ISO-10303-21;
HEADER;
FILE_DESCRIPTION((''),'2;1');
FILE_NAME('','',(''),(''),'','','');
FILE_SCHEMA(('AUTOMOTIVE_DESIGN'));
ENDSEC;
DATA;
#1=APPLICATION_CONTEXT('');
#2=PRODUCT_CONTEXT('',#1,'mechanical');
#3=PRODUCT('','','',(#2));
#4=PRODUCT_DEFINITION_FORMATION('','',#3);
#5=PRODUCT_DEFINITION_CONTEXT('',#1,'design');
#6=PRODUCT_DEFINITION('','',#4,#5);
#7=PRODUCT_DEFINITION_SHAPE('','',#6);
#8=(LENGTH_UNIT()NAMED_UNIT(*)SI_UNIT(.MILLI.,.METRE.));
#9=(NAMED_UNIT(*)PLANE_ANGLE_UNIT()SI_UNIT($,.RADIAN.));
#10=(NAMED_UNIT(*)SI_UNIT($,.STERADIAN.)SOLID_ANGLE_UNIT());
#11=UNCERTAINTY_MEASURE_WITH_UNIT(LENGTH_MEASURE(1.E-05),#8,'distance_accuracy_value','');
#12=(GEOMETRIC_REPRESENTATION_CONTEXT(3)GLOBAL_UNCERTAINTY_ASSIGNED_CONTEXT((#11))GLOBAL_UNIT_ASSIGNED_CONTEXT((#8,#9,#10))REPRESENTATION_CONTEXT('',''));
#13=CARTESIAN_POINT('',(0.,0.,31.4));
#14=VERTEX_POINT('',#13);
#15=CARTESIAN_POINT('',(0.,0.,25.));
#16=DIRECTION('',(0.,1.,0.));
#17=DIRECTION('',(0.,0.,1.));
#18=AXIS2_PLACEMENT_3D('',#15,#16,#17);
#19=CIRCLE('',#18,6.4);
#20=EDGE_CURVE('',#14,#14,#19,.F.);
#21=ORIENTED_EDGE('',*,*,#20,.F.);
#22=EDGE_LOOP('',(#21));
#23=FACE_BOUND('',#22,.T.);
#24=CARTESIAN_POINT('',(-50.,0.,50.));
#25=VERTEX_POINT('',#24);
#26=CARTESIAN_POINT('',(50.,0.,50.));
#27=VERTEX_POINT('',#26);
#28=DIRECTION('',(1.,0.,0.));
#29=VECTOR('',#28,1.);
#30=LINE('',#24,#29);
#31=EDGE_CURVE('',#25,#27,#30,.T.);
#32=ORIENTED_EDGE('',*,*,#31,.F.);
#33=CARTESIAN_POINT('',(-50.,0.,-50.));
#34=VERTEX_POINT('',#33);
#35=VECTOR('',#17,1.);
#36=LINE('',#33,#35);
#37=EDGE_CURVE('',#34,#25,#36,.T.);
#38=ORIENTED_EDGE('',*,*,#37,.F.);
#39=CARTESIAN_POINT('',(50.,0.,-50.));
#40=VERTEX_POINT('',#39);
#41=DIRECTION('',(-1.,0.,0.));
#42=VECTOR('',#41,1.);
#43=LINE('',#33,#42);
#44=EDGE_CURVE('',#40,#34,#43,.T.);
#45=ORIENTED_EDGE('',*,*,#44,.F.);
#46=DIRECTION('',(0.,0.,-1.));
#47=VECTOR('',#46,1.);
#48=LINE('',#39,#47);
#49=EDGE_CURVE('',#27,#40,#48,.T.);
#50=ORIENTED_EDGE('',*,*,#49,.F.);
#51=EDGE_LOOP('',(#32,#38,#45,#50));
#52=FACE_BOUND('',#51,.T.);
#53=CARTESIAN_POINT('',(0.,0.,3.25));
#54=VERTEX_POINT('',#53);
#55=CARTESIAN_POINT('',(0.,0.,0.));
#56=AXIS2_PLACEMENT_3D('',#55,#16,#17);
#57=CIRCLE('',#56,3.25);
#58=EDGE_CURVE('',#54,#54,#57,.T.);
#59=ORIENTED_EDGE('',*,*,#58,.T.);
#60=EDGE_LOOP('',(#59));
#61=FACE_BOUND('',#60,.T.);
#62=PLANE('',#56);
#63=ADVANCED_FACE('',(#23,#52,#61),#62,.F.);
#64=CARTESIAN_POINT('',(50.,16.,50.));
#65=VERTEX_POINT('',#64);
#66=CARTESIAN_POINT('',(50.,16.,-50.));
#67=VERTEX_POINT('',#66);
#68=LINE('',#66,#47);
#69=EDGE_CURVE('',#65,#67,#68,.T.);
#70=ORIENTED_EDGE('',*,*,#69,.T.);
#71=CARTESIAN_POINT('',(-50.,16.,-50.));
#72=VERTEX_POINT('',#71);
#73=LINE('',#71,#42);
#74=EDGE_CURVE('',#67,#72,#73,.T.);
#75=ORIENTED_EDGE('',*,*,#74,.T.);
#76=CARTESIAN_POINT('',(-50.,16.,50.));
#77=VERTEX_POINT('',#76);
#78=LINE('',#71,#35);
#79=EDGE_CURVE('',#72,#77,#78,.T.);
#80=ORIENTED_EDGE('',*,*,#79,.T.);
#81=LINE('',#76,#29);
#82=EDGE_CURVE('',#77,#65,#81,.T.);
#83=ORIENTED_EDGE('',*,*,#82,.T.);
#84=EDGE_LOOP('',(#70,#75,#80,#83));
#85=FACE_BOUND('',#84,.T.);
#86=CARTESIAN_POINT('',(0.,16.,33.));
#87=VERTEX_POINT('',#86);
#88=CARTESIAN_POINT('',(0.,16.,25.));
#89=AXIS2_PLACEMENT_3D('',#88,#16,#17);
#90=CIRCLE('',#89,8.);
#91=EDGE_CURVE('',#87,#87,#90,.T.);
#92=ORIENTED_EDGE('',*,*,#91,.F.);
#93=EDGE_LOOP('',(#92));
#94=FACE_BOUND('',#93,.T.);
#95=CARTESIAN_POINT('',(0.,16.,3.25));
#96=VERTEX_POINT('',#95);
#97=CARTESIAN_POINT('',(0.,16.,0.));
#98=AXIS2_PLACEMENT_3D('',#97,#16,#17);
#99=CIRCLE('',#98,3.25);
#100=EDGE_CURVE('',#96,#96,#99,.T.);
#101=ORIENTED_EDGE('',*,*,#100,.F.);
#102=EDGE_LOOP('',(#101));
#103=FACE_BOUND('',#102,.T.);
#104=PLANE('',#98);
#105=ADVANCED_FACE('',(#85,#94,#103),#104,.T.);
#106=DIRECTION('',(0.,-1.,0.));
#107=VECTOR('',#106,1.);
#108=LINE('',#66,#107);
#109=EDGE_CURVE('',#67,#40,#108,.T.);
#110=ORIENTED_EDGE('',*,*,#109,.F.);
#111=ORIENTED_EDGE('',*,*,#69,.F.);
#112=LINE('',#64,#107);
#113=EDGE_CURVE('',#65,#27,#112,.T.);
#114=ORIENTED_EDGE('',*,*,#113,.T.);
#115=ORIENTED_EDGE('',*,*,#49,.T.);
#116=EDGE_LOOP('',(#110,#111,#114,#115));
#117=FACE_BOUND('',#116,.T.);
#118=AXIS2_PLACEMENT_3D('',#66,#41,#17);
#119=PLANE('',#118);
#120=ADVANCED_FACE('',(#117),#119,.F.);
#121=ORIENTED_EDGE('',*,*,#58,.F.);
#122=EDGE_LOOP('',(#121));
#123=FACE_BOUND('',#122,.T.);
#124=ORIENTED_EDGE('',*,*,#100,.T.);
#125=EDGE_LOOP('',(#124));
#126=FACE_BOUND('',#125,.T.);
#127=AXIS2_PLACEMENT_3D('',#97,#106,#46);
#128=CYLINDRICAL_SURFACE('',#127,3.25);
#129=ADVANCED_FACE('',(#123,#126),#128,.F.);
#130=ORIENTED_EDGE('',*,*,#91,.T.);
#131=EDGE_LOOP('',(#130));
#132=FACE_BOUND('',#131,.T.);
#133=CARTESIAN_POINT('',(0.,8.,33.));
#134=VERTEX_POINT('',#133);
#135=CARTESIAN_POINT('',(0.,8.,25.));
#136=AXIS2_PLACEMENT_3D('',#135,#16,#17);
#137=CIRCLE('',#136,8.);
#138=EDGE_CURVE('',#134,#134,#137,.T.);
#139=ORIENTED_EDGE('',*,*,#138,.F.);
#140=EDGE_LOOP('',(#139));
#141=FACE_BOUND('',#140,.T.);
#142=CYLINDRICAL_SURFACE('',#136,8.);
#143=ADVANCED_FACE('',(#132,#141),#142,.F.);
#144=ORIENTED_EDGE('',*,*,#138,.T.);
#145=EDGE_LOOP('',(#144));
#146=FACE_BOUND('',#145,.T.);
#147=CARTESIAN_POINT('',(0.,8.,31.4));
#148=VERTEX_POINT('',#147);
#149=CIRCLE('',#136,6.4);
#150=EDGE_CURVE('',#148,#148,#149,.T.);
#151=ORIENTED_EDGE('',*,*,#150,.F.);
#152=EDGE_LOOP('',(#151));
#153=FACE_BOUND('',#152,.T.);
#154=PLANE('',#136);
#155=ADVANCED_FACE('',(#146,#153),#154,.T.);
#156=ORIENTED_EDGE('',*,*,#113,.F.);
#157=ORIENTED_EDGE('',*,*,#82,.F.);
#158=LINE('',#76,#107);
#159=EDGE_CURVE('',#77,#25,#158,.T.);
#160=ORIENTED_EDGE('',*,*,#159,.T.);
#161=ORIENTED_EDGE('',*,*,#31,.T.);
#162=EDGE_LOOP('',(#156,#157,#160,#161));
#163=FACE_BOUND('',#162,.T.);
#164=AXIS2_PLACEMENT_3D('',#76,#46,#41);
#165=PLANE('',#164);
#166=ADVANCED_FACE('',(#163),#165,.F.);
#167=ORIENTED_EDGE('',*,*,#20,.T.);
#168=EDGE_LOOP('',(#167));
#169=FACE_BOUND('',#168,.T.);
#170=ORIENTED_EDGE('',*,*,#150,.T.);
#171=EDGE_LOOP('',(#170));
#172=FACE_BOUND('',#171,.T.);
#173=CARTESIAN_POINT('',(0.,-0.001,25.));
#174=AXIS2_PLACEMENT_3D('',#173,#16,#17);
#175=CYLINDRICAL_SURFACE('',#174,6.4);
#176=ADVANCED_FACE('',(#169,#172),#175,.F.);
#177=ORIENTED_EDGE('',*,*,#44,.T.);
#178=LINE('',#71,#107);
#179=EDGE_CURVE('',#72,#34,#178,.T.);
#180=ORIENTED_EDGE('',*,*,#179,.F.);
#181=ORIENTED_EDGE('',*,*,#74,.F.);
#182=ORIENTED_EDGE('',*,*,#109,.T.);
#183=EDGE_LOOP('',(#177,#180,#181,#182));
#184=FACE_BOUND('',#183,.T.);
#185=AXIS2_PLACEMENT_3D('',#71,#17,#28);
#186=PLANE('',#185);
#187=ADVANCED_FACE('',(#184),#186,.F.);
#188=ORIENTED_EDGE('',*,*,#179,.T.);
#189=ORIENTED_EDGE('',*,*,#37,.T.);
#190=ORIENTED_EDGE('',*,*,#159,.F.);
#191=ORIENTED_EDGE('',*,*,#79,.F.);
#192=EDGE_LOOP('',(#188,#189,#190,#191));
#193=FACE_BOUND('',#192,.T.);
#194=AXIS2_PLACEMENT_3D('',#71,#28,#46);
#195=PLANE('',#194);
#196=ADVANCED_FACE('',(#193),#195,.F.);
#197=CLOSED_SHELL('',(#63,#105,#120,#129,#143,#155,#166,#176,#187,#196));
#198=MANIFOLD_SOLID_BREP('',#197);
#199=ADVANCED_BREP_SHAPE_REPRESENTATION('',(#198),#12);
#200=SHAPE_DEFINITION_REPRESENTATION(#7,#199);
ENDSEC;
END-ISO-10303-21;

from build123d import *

# Parameters (mm, degrees)
SKETCH1_W           = 100
SKETCH1_H           = 100
SKETCH1_R           = 3.25
BOSS_EXTRUDE1_DEPTH = 16
SKETCH2_R           = 8
CUT_EXTRUDE1_DEPTH  = 8
CUT_EXTRUDE2_REACH  = 10
SKETCH3_R           = 6.4


with BuildPart() as part:
    # Sketch1 → Boss-Extrude1 (new body)
    with BuildSketch(Plane(origin=(0, 0, 0), x_dir=(1, 0, 0), z_dir=(0, 1, 0))):
        Rectangle(SKETCH1_W, SKETCH1_H)
        Circle(SKETCH1_R, mode=Mode.SUBTRACT)
    extrude(amount=BOSS_EXTRUDE1_DEPTH)

    # Sketch2 → Cut-Extrude1 (cut)
    with BuildSketch(Plane(origin=(0, 16, 0), x_dir=(1, 0, 0), z_dir=(0, 1, 0))):
        with Locations((0, -25)):
            Circle(SKETCH2_R)
    extrude(amount=-CUT_EXTRUDE1_DEPTH, mode=Mode.SUBTRACT)

    # Sketch3 → Cut-Extrude2 (cut, up to next)
    with BuildSketch(Plane(origin=(0, 8, 0), x_dir=(1, 0, 0), z_dir=(0, 1, 0)), mode=Mode.PRIVATE) as cut_extrude2_sk1:
        with Locations((0, -25)):
            Circle(SKETCH3_R)
    cut_extrude2_tool1 = extrude(cut_extrude2_sk1.sketch, amount=-CUT_EXTRUDE2_REACH, mode=Mode.PRIVATE) & part.part
    add(cut_extrude2_tool1.solids().sort_by_distance((0, 8, 25))[0], mode=Mode.SUBTRACT)


solid = part.part
